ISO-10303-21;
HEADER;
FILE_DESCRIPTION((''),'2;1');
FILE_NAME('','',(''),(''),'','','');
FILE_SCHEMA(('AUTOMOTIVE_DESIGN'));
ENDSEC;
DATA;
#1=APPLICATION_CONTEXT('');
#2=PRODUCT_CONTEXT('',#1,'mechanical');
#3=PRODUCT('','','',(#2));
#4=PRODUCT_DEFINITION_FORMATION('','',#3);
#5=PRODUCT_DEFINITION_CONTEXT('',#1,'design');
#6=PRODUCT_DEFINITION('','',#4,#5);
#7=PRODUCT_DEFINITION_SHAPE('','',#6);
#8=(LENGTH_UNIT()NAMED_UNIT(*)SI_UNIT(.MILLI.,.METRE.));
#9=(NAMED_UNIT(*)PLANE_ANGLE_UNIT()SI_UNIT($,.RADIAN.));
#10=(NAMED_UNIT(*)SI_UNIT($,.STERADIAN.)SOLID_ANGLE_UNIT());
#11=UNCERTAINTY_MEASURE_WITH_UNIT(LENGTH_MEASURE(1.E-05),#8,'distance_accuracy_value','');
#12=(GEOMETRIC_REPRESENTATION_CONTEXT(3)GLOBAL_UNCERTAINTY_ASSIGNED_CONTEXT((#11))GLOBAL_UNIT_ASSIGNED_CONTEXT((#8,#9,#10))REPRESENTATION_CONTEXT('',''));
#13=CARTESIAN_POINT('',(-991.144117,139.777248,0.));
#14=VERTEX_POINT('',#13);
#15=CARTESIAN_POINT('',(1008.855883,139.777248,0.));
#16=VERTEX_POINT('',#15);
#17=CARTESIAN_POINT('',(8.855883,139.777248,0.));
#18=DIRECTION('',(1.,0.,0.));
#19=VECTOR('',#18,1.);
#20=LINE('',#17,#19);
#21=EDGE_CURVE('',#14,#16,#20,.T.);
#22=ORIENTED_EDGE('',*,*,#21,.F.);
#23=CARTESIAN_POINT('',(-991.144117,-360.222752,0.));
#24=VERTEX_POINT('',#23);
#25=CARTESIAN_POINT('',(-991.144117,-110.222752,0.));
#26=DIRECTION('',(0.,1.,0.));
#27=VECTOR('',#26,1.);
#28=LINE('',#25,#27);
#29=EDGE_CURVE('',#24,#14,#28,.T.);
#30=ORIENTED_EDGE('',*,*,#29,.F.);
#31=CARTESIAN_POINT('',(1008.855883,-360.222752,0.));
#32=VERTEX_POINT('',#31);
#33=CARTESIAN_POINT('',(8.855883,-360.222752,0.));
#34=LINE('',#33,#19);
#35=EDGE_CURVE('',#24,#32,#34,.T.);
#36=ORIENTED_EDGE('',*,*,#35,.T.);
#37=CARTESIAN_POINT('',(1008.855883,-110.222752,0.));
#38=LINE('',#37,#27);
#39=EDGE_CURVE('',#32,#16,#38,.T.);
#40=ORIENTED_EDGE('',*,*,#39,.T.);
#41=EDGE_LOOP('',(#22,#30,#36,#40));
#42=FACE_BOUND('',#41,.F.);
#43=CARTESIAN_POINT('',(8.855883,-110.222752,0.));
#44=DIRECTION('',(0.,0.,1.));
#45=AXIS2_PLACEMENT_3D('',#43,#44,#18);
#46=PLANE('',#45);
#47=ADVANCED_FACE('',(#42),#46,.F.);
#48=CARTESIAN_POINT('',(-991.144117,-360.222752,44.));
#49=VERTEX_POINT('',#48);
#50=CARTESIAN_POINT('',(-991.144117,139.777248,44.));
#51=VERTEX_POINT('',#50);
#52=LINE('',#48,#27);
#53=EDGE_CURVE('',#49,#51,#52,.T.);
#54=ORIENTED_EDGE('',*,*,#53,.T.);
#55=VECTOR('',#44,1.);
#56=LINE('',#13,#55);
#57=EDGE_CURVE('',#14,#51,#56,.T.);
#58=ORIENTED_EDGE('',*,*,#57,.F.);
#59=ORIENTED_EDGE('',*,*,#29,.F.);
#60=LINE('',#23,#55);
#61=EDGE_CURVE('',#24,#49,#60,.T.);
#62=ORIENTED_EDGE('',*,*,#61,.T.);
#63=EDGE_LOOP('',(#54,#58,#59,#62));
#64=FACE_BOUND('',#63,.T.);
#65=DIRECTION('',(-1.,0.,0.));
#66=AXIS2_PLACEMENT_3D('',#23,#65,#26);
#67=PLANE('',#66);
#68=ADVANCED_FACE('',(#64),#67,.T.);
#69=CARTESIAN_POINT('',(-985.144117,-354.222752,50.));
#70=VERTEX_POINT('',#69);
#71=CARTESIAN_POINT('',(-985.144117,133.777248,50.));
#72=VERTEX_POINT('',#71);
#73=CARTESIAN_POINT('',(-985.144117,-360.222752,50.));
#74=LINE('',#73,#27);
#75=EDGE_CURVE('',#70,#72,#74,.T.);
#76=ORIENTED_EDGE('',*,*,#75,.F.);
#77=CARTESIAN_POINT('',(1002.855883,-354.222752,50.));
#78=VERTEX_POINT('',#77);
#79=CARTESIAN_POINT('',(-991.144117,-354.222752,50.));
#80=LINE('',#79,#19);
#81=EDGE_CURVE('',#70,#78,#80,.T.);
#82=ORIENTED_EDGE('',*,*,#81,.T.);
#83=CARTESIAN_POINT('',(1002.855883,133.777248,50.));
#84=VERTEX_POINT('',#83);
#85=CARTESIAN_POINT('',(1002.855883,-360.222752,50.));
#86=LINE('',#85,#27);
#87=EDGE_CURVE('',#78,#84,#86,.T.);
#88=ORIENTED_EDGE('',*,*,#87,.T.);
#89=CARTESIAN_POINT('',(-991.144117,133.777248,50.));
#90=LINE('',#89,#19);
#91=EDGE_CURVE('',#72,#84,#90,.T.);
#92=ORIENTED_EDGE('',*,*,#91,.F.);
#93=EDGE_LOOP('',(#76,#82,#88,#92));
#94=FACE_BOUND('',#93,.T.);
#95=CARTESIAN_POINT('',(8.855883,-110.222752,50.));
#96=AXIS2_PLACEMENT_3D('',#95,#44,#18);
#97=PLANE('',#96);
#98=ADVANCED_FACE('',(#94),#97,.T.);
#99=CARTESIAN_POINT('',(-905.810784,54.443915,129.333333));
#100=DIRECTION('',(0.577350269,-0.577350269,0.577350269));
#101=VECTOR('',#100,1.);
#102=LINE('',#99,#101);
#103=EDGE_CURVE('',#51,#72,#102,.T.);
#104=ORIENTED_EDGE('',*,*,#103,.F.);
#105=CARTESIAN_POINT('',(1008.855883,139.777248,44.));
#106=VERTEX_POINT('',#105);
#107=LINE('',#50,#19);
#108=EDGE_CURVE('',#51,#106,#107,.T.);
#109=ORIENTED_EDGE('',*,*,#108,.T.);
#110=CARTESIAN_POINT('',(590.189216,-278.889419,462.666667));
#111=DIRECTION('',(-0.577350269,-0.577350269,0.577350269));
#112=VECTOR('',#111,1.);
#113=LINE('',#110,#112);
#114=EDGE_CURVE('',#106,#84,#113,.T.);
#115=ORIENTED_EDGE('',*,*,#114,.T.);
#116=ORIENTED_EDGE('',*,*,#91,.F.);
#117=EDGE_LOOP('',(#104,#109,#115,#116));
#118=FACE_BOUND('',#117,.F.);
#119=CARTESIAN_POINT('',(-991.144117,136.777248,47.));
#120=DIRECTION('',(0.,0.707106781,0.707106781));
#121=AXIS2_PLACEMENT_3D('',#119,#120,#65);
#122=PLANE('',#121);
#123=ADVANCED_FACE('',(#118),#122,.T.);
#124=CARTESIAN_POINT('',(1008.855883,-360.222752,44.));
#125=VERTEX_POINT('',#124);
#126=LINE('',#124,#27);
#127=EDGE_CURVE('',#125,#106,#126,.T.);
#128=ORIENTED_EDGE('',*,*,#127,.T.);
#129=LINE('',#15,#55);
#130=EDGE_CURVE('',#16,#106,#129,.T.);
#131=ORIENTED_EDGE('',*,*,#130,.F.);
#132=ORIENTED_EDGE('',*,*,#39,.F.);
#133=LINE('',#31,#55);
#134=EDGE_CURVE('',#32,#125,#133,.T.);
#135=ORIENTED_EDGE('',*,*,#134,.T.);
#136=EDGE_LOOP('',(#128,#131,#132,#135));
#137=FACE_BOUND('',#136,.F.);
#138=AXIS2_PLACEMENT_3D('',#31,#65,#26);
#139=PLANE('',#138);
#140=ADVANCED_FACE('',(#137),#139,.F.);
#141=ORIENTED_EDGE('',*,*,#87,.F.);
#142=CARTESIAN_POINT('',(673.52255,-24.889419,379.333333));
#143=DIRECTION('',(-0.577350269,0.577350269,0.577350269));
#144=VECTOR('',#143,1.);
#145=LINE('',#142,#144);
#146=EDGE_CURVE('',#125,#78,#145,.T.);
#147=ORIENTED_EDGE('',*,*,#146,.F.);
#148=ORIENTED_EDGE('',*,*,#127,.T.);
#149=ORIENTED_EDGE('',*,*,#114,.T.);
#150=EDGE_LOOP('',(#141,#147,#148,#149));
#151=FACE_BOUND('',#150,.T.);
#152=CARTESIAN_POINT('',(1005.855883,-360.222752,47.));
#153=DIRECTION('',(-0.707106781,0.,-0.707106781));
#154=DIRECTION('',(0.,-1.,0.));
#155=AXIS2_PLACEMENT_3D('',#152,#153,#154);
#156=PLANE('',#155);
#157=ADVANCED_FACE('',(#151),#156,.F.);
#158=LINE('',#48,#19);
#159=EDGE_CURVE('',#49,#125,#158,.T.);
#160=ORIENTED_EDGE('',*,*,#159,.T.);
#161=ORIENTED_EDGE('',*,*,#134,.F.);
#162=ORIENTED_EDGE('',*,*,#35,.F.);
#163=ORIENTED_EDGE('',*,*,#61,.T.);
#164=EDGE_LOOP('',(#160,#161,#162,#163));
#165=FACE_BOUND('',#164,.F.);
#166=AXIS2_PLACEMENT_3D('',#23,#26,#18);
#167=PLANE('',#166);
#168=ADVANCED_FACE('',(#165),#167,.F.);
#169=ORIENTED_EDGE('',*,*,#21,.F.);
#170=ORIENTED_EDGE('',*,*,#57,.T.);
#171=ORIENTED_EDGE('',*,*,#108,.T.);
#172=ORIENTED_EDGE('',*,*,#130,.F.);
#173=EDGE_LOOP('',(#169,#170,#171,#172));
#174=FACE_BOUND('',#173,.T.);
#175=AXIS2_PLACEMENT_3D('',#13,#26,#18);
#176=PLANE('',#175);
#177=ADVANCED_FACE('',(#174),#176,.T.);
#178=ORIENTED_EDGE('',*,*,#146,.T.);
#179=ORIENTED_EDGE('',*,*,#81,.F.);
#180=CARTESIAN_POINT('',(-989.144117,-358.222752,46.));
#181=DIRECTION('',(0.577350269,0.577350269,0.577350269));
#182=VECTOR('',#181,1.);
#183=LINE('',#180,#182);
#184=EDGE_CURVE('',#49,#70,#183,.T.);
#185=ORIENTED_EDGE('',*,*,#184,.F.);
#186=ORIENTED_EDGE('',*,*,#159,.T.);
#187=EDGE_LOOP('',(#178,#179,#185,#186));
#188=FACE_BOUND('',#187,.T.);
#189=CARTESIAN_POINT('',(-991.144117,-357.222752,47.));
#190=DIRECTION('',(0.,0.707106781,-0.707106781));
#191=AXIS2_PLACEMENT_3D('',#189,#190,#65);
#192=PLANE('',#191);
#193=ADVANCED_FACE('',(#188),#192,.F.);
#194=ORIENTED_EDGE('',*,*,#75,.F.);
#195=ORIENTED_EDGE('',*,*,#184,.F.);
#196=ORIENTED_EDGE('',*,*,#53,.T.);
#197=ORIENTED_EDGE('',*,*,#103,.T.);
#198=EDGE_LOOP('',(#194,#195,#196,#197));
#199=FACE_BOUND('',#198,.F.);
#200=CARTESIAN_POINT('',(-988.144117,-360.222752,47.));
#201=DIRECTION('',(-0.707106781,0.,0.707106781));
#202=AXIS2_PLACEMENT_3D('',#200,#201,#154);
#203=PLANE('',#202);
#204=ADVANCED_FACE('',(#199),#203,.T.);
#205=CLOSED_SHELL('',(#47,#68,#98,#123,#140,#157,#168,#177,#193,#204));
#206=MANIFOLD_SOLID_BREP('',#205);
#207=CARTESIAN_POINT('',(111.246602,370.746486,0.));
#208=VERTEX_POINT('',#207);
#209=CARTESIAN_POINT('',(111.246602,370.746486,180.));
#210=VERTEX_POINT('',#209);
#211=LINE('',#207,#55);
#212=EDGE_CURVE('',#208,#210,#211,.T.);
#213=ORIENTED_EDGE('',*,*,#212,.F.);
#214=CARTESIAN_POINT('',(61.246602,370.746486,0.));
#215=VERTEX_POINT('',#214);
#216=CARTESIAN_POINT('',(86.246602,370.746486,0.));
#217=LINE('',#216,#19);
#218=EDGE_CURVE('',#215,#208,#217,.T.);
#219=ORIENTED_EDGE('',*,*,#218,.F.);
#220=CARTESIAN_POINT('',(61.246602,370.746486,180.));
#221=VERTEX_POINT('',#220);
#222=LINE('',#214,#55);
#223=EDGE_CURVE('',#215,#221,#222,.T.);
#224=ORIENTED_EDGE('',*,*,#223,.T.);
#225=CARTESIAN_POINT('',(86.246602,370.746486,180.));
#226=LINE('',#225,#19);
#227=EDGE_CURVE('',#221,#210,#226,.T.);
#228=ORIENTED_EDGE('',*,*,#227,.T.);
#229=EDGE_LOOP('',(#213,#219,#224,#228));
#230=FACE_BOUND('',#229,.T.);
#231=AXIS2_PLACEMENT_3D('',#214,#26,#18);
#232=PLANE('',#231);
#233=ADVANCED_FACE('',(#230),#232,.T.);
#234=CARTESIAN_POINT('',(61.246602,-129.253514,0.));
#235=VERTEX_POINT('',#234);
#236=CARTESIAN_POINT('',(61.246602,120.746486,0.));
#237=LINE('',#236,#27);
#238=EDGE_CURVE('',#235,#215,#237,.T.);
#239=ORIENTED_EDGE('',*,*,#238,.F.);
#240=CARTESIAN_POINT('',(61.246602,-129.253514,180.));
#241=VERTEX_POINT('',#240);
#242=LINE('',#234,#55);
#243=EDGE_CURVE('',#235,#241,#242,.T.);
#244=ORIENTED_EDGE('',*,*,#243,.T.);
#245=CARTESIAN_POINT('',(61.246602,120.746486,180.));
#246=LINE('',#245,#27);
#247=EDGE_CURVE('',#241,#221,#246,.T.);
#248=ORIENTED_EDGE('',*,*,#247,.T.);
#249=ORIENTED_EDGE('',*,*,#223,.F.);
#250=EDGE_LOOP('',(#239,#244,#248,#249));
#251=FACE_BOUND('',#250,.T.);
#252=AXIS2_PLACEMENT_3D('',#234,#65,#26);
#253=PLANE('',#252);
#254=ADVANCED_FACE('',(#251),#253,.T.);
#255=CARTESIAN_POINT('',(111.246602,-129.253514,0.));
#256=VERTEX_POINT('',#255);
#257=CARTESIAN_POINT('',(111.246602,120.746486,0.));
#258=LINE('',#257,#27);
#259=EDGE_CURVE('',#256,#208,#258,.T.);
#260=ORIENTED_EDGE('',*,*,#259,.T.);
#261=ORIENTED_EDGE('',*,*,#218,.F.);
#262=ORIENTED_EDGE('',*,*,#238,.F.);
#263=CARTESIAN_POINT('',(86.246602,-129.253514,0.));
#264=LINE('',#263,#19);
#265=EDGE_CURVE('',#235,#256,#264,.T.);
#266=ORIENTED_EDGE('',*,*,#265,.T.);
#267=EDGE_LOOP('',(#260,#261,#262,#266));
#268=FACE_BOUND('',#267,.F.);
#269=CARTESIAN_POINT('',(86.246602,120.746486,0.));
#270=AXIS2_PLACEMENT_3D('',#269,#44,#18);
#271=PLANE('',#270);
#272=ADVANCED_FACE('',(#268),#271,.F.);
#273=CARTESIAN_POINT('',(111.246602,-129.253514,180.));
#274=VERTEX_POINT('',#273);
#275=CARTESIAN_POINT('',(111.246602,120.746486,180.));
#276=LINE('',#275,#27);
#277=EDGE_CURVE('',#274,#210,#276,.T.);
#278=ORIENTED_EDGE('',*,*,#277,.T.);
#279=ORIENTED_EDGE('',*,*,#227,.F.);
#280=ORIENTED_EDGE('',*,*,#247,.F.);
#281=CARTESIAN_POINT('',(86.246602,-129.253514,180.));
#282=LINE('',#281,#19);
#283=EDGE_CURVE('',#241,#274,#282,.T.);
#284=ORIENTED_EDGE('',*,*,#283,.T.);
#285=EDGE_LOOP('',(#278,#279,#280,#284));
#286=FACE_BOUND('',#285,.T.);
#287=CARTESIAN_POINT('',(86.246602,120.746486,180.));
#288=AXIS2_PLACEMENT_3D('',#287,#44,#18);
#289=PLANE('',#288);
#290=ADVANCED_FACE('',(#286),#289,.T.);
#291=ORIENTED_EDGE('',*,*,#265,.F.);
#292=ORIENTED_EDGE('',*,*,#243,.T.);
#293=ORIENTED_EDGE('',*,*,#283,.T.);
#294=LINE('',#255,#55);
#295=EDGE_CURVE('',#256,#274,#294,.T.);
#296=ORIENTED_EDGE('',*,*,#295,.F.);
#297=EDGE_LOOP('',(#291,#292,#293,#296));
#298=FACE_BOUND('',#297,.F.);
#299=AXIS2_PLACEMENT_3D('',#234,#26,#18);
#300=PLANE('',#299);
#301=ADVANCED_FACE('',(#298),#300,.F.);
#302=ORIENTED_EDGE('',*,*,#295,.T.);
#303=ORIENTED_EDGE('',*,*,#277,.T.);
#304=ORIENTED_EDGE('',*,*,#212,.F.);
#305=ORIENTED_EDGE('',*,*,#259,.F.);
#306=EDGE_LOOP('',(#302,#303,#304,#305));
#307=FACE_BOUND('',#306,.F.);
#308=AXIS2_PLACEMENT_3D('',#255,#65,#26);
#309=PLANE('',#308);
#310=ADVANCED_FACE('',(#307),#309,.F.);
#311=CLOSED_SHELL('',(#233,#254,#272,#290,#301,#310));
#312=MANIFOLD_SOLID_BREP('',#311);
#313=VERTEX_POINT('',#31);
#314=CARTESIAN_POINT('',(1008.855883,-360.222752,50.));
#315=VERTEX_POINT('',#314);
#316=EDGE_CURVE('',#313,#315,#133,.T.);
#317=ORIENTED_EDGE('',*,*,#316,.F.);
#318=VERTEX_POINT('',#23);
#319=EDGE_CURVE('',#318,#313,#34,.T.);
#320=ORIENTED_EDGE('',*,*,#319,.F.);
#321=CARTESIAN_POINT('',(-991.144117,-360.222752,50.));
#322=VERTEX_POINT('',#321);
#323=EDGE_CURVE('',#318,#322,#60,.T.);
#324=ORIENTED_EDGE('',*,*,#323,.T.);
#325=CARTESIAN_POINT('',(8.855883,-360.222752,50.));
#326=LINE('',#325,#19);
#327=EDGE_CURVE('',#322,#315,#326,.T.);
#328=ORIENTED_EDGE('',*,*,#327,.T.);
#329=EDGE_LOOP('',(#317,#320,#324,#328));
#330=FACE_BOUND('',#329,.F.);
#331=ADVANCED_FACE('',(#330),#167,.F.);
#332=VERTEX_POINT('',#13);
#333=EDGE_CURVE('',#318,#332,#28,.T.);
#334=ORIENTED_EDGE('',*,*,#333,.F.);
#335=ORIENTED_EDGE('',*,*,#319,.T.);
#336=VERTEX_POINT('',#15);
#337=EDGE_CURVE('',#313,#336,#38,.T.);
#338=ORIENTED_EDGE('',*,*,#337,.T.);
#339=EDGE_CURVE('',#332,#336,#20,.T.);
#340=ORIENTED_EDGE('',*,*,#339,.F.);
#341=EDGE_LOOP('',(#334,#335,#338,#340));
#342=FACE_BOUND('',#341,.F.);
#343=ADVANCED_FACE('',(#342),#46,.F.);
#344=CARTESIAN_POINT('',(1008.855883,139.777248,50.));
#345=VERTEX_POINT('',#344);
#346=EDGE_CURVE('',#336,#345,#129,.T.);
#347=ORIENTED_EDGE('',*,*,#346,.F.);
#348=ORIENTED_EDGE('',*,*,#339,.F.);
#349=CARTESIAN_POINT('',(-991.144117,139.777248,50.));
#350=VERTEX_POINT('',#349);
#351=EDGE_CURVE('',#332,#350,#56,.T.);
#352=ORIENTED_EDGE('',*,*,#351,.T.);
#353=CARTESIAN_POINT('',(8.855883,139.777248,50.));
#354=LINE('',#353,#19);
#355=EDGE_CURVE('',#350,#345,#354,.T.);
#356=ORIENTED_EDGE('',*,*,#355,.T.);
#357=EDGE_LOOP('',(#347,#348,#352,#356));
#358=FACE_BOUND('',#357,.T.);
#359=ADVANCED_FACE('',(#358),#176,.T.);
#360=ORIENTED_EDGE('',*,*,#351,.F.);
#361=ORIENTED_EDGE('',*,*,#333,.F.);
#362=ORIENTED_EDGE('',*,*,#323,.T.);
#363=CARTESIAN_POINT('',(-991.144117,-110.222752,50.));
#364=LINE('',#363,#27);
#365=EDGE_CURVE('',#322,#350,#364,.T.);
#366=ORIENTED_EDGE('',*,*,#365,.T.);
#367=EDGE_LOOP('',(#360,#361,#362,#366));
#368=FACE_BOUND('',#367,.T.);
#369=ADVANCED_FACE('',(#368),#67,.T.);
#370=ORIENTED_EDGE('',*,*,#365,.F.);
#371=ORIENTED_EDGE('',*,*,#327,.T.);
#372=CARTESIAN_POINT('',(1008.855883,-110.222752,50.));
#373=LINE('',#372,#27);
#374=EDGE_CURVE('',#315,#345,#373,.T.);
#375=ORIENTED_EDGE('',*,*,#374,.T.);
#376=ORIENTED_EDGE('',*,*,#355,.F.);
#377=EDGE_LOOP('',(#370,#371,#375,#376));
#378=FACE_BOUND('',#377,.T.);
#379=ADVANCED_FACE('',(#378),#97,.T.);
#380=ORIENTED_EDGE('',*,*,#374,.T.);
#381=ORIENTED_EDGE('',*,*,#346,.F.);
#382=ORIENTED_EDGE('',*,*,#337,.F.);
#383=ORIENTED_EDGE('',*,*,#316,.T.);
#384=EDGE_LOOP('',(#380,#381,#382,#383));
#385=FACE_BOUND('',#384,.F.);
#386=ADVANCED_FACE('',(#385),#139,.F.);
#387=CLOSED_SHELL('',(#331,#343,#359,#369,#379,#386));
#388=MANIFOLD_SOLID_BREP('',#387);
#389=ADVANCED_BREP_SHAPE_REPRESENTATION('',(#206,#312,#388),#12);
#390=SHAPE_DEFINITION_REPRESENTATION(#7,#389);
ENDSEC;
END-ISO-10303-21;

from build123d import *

# Parameters (mm, degrees)
F0_W     = 2000
F0_H     = 500
F1_DEPTH = 50
F2_W     = 50
F2_H     = 500
F3_DEPTH = 180
F5_SIZE  = 6


with BuildPart() as f1:
    # F0 (on Top) → F1 (new body)
    with BuildSketch(Plane.XY):
        with Locations((8.8558830321, -110.2227519286)):
            Rectangle(F0_W, F0_H)
    extrude(amount=F1_DEPTH)


with BuildPart() as f3:
    # F2 (on Top) → F3 (new body)
    with BuildSketch(Plane.XY):
        with Locations((86.2466022372, 120.7464857791)):
            Rectangle(F2_W, F2_H)
    extrude(amount=F3_DEPTH)


with BuildPart() as f4_1:
    # F4: copy of F1
    add(f1.part)


with BuildPart() as f1_1:
    add(f1.part)

    # F5
    f5_edges = [f1_1.edges().sort_by_distance(p)[0] for p in [
        (8.855883, -360.222752, 50),
        (-991.144117, -110.222752, 50),
        (8.855883, 139.777248, 50),
        (1008.855883, -110.222752, 50),
    ]]
    chamfer(f5_edges, length=F5_SIZE)


solid = Compound([f3.part, f4_1.part, f1_1.part])
